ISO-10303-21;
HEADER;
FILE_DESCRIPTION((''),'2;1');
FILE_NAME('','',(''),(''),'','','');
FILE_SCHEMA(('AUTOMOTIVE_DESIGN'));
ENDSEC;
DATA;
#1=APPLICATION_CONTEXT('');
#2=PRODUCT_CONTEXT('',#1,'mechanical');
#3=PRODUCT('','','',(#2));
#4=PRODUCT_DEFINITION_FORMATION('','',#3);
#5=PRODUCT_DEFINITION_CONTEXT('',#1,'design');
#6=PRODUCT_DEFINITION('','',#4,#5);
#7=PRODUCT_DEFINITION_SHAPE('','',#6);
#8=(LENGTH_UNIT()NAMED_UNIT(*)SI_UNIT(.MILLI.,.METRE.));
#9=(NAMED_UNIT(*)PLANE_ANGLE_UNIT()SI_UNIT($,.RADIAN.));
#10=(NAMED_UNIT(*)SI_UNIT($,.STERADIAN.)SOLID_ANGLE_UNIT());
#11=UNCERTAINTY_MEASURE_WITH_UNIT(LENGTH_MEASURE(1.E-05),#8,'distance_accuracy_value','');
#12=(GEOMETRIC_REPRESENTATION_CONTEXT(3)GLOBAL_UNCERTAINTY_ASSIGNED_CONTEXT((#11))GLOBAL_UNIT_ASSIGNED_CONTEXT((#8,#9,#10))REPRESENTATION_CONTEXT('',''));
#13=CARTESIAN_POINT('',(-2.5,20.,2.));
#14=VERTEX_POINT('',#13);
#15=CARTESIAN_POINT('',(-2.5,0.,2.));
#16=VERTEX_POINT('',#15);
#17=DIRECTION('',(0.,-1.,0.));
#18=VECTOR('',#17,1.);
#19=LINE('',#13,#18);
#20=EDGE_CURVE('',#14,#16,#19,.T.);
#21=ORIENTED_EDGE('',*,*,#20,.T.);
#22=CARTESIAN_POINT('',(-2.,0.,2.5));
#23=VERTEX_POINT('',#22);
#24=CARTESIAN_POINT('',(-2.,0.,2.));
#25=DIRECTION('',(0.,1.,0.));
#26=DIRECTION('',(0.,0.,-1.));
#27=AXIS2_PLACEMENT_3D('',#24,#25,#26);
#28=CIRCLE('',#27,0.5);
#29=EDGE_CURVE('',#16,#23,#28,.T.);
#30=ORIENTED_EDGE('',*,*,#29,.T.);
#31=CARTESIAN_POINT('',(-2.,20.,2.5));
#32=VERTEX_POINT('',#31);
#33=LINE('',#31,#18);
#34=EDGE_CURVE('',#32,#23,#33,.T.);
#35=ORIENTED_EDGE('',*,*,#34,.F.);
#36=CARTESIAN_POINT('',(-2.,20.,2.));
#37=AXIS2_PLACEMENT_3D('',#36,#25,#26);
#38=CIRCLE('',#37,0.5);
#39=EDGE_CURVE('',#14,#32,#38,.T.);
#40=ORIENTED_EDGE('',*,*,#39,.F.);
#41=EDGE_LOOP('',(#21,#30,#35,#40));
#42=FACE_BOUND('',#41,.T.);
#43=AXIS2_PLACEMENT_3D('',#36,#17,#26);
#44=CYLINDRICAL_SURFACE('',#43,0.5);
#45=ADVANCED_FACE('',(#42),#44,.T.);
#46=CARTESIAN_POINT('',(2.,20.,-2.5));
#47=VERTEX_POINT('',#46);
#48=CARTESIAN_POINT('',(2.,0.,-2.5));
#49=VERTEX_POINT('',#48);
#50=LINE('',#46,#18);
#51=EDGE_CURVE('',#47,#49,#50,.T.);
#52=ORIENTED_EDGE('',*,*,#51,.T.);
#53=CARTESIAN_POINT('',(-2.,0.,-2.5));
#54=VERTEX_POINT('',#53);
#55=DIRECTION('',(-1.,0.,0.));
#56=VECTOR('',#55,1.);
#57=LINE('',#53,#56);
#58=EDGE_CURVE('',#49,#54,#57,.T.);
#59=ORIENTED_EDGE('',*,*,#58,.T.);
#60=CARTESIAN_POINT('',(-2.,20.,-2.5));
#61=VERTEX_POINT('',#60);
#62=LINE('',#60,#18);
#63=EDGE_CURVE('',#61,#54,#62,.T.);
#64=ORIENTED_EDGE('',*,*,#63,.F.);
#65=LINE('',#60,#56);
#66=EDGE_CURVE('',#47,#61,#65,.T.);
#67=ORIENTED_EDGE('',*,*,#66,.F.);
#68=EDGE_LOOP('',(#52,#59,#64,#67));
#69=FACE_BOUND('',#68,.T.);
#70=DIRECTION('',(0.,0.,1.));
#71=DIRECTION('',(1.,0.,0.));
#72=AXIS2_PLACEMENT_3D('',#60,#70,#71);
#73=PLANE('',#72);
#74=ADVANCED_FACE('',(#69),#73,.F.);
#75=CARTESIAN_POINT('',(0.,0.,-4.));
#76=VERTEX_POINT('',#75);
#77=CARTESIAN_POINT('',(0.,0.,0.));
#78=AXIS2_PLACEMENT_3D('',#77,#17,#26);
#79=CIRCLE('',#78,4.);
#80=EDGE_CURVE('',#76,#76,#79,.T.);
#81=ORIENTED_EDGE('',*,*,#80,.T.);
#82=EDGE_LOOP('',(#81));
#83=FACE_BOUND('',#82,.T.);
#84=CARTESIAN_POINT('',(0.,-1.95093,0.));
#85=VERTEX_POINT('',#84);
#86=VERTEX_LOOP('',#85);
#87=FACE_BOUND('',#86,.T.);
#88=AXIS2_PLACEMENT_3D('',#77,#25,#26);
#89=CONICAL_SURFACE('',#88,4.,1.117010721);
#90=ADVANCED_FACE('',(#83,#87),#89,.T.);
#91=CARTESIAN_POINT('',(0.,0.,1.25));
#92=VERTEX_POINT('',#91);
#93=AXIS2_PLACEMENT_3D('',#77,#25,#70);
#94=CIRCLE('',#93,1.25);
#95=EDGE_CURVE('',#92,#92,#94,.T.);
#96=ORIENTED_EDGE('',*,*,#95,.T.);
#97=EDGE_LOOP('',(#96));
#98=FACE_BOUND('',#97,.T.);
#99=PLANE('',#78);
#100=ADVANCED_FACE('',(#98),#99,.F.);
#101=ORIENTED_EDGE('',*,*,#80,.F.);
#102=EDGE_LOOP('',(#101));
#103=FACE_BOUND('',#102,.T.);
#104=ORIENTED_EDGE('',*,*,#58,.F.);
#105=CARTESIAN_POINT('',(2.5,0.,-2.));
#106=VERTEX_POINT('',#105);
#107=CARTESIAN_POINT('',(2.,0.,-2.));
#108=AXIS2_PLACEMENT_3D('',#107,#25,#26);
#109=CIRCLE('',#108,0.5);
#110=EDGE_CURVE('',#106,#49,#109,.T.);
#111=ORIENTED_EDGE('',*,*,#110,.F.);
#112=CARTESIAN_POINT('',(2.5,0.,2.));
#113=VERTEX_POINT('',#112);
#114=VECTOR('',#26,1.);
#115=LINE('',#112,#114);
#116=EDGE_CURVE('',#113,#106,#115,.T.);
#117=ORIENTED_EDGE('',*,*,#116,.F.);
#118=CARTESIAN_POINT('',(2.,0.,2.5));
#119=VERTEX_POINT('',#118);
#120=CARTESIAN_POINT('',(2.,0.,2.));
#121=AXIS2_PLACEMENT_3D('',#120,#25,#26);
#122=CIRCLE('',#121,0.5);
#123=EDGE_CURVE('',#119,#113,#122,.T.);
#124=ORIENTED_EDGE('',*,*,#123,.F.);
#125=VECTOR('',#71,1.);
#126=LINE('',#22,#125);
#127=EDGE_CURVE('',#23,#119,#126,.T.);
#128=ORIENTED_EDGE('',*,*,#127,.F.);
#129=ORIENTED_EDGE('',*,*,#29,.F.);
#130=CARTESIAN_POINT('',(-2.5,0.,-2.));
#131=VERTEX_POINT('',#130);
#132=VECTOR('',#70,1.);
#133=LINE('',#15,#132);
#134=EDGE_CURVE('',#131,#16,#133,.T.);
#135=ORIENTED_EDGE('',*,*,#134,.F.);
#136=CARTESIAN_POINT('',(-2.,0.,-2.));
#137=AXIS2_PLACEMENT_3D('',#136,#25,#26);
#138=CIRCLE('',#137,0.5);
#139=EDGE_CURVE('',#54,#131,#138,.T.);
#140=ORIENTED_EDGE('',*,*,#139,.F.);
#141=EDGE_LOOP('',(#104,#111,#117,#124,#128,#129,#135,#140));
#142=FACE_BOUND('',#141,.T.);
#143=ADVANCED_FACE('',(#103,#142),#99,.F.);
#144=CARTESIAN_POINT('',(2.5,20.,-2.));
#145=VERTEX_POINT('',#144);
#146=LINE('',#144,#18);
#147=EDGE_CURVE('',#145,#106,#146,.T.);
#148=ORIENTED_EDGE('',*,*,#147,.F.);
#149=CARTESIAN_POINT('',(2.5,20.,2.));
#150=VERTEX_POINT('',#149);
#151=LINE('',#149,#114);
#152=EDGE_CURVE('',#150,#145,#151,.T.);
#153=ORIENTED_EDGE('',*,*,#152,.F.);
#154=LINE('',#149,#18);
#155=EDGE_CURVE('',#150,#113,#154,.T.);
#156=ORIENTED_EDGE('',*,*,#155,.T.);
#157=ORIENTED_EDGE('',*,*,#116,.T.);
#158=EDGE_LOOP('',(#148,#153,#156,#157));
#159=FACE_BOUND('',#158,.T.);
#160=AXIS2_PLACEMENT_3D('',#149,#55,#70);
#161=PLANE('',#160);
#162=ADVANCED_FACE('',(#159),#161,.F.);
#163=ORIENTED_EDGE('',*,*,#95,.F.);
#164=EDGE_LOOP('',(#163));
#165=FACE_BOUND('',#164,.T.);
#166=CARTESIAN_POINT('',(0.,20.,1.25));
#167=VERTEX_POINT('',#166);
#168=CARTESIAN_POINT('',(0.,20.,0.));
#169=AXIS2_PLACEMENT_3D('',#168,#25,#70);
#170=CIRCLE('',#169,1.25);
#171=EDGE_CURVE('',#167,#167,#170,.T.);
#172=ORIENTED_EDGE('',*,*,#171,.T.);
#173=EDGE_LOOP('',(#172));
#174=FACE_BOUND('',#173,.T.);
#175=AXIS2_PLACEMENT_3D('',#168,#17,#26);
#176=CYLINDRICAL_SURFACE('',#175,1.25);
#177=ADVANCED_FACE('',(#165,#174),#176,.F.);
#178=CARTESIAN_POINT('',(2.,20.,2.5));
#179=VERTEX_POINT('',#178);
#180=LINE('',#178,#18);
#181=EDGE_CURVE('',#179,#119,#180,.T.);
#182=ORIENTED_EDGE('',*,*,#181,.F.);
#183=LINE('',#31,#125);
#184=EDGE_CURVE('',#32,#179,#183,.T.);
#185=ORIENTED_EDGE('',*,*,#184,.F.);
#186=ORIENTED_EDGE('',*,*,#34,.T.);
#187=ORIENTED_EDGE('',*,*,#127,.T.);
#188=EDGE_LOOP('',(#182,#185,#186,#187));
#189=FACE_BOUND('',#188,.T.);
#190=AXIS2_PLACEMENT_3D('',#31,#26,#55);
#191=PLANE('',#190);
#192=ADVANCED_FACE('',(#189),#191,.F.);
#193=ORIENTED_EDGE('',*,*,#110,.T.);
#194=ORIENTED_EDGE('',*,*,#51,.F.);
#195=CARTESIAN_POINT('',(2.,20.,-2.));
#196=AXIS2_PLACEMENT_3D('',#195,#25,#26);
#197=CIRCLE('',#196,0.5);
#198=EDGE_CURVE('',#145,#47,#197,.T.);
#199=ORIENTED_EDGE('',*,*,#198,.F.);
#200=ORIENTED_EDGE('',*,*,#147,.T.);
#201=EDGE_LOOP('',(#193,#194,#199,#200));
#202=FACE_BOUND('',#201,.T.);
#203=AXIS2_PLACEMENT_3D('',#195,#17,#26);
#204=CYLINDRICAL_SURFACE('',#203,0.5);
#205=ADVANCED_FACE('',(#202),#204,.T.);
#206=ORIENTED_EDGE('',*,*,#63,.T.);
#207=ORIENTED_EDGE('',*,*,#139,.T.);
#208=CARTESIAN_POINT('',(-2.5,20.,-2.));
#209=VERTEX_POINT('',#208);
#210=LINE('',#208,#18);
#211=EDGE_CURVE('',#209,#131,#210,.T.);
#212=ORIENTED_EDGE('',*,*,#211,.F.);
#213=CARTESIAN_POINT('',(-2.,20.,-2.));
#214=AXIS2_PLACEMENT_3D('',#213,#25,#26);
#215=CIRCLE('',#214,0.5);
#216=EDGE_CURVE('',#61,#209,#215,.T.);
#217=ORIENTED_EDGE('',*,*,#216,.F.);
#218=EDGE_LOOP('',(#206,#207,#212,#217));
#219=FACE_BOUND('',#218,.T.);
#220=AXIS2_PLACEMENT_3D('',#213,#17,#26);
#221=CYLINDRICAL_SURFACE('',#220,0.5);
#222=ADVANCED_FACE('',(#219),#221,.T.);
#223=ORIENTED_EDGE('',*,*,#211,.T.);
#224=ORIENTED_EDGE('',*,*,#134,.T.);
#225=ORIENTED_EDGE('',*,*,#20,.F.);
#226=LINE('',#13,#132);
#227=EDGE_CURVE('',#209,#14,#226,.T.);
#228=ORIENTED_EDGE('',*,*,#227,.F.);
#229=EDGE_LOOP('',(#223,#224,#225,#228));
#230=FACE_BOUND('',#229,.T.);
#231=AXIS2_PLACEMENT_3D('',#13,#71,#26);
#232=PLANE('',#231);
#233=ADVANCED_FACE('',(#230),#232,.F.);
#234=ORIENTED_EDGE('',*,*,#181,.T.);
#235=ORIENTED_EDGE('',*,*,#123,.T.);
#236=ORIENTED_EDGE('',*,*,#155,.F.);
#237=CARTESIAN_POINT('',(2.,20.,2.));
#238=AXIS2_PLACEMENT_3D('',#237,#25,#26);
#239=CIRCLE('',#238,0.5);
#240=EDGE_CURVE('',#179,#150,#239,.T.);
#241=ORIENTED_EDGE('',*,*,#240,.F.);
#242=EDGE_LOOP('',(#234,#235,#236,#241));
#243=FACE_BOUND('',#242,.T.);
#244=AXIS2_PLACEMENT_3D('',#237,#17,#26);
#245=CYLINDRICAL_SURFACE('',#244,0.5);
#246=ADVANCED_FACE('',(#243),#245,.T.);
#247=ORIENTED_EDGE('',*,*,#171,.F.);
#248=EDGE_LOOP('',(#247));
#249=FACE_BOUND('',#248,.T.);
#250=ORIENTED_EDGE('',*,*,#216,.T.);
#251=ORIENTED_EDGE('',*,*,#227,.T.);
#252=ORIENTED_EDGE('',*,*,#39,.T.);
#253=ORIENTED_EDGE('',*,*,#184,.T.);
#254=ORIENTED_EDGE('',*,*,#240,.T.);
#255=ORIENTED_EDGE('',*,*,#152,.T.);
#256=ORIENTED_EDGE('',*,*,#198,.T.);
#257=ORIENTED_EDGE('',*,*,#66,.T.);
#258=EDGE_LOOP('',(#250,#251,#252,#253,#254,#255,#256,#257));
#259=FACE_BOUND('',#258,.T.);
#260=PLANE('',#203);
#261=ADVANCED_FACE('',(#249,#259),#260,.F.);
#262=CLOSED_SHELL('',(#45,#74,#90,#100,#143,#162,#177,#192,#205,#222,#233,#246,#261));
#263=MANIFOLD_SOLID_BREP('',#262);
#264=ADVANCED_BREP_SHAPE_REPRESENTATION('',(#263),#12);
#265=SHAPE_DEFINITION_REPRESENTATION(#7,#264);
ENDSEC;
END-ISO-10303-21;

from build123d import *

# Parameters (mm, degrees)
SKETCH_1_R      = 1.25
EXTRUDE_1_DEPTH = 20


with BuildPart() as part:
    # Эскиз1 → Бобышка-Вытянуть1 (new body)
    with BuildSketch(Plane(origin=(0, 0, 0), x_dir=(1, 0, 0), z_dir=(0, 1, 0))):
        with BuildLine():
            Line((-2, -2.5), (2, -2.5))
            ThreePointArc((2, -2.5), (2.353553391, -2.353553391), (2.5, -2))
            Line((2.5, -2), (2.5, 2))
            ThreePointArc((2.5, 2), (2.353553391, 2.353553391), (2, 2.5))
            Line((2, 2.5), (-2, 2.5))
            ThreePointArc((-2, 2.5), (-2.353553391, 2.353553391), (-2.5, 2))
            Line((-2.5, 2), (-2.5, -2))
            ThreePointArc((-2.5, -2), (-2.353553391, -2.353553391), (-2, -2.5))
        make_face()
        with Locations(Location((0, 0, 0), (0, 0, 270))):
            Circle(SKETCH_1_R, mode=Mode.SUBTRACT)
    extrude(amount=EXTRUDE_1_DEPTH)

    # Бобышка-Вытянуть2 cone 1 section (through the dimple's axis) → Бобышка-Вытянуть2 (revolve)
    with BuildSketch(Plane(origin=(0, 0, 0), x_dir=(0, 0, 1), z_dir=(1, 0, 0))):
        Polygon((0, 0), (4, 0), (0, 1.950930354), align=None)
    revolve(axis=Axis((0, 0, 0), (0, -1, 0)))


solid = part.part
